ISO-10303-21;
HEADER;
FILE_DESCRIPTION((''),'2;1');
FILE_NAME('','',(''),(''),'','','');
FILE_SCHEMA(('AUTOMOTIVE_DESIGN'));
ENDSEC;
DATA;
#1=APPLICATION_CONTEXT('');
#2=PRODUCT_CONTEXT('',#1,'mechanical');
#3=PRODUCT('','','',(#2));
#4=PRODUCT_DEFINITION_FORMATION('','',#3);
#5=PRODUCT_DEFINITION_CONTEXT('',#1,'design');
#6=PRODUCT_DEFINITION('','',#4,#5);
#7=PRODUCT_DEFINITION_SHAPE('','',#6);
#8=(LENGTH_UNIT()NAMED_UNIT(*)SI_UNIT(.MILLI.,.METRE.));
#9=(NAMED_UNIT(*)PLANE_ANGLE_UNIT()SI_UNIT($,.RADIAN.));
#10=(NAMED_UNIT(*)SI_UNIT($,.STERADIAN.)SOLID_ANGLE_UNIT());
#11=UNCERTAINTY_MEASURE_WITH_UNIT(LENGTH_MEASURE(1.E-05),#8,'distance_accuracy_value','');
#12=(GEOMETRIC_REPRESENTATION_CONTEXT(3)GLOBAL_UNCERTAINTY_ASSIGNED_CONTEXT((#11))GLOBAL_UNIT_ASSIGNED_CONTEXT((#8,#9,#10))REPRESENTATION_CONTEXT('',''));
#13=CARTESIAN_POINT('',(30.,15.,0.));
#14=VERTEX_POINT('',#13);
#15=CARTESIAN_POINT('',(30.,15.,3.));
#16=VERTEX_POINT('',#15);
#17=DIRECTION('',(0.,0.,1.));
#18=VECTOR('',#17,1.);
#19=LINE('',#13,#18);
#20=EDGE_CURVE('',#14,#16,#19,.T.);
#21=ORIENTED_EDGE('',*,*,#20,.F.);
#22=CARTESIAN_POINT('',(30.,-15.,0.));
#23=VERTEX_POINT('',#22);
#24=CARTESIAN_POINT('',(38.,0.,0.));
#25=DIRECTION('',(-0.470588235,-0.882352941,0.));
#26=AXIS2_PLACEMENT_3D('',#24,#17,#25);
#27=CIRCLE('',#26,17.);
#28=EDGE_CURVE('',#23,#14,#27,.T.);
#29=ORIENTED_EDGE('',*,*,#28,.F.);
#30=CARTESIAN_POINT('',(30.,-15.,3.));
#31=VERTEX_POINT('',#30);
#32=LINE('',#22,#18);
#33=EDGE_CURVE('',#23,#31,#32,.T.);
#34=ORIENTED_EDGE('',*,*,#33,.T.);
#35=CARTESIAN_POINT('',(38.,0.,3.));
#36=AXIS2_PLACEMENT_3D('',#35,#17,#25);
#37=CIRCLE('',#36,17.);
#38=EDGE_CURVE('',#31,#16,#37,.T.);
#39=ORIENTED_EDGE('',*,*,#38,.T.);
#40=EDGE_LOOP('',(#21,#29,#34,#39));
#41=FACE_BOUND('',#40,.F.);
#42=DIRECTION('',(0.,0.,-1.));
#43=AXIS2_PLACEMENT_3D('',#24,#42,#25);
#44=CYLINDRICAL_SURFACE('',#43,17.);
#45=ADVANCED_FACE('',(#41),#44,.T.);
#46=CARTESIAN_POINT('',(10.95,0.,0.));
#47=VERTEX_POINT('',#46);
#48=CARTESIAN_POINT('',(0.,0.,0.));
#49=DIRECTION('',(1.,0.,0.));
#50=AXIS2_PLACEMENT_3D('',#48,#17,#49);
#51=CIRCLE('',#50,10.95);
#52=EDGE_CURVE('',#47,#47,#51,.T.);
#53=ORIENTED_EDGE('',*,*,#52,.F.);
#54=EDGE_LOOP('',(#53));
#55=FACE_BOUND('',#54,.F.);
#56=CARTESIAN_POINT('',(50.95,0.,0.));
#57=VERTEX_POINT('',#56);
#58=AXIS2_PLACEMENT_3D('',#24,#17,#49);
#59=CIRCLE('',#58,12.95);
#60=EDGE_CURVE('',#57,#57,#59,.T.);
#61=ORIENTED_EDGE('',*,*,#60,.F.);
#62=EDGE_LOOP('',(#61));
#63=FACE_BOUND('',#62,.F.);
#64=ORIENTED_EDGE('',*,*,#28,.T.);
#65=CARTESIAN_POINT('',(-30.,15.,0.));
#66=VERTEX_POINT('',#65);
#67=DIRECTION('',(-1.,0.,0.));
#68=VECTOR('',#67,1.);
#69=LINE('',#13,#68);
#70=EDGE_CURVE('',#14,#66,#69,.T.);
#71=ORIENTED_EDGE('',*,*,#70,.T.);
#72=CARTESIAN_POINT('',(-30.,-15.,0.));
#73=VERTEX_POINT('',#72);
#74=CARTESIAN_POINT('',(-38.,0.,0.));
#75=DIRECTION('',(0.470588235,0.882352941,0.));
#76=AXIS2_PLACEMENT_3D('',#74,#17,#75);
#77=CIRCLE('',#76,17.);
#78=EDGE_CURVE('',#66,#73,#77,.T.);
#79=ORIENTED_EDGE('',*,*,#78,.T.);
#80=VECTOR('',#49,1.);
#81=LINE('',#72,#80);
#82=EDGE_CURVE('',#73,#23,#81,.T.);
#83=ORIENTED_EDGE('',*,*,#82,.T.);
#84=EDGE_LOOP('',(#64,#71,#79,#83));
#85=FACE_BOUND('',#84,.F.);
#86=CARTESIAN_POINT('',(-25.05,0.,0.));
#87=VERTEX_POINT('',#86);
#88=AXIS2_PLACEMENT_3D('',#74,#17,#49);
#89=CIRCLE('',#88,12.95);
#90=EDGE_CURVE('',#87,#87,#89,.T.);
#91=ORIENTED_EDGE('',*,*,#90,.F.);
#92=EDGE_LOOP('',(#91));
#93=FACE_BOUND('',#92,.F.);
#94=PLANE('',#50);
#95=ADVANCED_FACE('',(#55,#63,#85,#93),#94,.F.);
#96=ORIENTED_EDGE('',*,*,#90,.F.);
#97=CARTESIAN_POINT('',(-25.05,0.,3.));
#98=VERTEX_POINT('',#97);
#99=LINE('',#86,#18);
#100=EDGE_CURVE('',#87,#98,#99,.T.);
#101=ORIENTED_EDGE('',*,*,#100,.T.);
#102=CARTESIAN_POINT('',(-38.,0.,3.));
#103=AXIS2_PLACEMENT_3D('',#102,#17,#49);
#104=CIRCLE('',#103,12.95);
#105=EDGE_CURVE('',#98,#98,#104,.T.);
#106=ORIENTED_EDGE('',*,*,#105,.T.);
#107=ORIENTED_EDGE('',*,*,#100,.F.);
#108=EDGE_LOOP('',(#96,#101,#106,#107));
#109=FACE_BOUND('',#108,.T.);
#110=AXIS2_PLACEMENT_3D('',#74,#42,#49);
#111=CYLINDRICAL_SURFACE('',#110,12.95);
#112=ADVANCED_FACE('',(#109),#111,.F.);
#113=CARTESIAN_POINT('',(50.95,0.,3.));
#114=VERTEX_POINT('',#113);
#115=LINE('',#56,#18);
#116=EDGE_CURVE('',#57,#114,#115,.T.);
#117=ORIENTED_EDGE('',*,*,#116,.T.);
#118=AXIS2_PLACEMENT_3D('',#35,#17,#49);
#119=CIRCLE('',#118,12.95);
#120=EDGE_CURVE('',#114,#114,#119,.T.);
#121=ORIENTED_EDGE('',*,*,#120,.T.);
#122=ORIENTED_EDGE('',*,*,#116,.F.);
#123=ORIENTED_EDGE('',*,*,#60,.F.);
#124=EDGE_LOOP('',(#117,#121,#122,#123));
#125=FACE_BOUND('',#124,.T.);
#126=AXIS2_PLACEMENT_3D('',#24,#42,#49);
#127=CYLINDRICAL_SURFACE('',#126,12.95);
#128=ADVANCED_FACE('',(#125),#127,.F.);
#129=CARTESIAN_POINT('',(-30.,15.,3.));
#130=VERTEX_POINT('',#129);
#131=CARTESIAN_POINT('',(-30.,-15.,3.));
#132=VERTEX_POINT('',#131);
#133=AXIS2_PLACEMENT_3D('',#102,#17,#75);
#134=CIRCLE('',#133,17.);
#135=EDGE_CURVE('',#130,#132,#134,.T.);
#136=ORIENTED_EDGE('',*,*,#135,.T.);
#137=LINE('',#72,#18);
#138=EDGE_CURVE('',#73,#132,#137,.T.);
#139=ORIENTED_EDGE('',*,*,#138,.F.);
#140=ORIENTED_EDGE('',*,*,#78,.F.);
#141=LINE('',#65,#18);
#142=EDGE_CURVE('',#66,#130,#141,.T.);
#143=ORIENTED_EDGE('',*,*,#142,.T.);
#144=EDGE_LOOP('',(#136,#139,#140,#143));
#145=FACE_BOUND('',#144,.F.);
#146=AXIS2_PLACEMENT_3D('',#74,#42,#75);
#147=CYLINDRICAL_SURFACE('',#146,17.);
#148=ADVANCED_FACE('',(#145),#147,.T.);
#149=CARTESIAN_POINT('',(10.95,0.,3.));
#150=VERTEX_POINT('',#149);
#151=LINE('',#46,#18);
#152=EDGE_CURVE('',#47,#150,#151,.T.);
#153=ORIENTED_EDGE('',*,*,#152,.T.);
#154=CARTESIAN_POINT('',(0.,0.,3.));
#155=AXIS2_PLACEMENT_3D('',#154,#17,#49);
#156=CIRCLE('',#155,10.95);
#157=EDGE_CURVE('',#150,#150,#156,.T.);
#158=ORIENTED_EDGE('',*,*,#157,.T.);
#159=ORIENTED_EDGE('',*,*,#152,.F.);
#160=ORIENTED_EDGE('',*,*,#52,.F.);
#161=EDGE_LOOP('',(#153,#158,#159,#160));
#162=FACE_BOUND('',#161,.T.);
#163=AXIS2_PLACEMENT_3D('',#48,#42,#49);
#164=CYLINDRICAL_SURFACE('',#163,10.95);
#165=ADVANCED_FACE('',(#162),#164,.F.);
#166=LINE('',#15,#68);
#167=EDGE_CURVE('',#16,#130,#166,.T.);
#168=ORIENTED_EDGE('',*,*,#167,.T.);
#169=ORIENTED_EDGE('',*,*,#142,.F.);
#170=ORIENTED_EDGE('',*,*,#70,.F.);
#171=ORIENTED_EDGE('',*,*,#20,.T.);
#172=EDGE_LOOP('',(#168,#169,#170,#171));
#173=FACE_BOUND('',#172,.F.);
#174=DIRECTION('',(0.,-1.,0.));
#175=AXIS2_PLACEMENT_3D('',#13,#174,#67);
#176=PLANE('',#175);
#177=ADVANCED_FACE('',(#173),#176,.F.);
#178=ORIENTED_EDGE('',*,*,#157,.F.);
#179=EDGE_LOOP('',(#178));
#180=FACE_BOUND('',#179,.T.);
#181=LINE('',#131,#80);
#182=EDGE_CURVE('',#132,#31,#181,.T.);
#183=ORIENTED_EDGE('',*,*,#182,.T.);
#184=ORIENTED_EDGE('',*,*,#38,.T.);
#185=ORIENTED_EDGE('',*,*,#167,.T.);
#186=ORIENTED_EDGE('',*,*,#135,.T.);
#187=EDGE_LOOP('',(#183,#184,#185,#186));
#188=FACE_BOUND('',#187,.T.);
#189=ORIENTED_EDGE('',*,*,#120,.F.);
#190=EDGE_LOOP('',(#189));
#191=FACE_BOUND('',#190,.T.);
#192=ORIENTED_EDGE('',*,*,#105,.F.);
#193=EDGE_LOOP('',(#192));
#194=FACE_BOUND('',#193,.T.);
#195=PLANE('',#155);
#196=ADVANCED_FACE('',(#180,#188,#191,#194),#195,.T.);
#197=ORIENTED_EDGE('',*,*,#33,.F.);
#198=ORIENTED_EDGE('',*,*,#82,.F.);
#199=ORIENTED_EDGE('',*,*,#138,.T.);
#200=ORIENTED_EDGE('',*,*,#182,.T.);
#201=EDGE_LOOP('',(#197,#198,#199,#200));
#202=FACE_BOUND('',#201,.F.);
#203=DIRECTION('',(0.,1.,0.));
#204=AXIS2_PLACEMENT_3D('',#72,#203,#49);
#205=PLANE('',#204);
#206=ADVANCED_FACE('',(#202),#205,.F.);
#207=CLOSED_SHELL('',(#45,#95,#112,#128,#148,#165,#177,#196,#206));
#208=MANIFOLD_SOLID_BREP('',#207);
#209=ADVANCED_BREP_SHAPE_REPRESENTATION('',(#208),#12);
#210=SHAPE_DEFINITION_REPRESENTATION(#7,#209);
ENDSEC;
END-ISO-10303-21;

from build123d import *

# Parameters (mm, degrees)
F0_R     = 12.95
F0_R_2   = 10.95
F1_DEPTH = 3


with BuildPart() as f1:
    # F0 (on Top) → F1 (new body)
    with BuildSketch(Plane.XY):
        with BuildLine():
            Line((30, 15), (-30, 15))
            ThreePointArc((-30, 15), (-55, 0), (-30, -15))
            Line((-30, -15), (0, -15))
            Line((0, -15), (30, -15))
            ThreePointArc((30, -15), (55, 0), (30, 15))
        make_face()
        with Locations((-38, 0)):
            Circle(F0_R, mode=Mode.SUBTRACT)
        Circle(F0_R_2, mode=Mode.SUBTRACT)
        with Locations((38, 0)):
            Circle(F0_R, mode=Mode.SUBTRACT)
    extrude(amount=F1_DEPTH)


solid = f1.part
